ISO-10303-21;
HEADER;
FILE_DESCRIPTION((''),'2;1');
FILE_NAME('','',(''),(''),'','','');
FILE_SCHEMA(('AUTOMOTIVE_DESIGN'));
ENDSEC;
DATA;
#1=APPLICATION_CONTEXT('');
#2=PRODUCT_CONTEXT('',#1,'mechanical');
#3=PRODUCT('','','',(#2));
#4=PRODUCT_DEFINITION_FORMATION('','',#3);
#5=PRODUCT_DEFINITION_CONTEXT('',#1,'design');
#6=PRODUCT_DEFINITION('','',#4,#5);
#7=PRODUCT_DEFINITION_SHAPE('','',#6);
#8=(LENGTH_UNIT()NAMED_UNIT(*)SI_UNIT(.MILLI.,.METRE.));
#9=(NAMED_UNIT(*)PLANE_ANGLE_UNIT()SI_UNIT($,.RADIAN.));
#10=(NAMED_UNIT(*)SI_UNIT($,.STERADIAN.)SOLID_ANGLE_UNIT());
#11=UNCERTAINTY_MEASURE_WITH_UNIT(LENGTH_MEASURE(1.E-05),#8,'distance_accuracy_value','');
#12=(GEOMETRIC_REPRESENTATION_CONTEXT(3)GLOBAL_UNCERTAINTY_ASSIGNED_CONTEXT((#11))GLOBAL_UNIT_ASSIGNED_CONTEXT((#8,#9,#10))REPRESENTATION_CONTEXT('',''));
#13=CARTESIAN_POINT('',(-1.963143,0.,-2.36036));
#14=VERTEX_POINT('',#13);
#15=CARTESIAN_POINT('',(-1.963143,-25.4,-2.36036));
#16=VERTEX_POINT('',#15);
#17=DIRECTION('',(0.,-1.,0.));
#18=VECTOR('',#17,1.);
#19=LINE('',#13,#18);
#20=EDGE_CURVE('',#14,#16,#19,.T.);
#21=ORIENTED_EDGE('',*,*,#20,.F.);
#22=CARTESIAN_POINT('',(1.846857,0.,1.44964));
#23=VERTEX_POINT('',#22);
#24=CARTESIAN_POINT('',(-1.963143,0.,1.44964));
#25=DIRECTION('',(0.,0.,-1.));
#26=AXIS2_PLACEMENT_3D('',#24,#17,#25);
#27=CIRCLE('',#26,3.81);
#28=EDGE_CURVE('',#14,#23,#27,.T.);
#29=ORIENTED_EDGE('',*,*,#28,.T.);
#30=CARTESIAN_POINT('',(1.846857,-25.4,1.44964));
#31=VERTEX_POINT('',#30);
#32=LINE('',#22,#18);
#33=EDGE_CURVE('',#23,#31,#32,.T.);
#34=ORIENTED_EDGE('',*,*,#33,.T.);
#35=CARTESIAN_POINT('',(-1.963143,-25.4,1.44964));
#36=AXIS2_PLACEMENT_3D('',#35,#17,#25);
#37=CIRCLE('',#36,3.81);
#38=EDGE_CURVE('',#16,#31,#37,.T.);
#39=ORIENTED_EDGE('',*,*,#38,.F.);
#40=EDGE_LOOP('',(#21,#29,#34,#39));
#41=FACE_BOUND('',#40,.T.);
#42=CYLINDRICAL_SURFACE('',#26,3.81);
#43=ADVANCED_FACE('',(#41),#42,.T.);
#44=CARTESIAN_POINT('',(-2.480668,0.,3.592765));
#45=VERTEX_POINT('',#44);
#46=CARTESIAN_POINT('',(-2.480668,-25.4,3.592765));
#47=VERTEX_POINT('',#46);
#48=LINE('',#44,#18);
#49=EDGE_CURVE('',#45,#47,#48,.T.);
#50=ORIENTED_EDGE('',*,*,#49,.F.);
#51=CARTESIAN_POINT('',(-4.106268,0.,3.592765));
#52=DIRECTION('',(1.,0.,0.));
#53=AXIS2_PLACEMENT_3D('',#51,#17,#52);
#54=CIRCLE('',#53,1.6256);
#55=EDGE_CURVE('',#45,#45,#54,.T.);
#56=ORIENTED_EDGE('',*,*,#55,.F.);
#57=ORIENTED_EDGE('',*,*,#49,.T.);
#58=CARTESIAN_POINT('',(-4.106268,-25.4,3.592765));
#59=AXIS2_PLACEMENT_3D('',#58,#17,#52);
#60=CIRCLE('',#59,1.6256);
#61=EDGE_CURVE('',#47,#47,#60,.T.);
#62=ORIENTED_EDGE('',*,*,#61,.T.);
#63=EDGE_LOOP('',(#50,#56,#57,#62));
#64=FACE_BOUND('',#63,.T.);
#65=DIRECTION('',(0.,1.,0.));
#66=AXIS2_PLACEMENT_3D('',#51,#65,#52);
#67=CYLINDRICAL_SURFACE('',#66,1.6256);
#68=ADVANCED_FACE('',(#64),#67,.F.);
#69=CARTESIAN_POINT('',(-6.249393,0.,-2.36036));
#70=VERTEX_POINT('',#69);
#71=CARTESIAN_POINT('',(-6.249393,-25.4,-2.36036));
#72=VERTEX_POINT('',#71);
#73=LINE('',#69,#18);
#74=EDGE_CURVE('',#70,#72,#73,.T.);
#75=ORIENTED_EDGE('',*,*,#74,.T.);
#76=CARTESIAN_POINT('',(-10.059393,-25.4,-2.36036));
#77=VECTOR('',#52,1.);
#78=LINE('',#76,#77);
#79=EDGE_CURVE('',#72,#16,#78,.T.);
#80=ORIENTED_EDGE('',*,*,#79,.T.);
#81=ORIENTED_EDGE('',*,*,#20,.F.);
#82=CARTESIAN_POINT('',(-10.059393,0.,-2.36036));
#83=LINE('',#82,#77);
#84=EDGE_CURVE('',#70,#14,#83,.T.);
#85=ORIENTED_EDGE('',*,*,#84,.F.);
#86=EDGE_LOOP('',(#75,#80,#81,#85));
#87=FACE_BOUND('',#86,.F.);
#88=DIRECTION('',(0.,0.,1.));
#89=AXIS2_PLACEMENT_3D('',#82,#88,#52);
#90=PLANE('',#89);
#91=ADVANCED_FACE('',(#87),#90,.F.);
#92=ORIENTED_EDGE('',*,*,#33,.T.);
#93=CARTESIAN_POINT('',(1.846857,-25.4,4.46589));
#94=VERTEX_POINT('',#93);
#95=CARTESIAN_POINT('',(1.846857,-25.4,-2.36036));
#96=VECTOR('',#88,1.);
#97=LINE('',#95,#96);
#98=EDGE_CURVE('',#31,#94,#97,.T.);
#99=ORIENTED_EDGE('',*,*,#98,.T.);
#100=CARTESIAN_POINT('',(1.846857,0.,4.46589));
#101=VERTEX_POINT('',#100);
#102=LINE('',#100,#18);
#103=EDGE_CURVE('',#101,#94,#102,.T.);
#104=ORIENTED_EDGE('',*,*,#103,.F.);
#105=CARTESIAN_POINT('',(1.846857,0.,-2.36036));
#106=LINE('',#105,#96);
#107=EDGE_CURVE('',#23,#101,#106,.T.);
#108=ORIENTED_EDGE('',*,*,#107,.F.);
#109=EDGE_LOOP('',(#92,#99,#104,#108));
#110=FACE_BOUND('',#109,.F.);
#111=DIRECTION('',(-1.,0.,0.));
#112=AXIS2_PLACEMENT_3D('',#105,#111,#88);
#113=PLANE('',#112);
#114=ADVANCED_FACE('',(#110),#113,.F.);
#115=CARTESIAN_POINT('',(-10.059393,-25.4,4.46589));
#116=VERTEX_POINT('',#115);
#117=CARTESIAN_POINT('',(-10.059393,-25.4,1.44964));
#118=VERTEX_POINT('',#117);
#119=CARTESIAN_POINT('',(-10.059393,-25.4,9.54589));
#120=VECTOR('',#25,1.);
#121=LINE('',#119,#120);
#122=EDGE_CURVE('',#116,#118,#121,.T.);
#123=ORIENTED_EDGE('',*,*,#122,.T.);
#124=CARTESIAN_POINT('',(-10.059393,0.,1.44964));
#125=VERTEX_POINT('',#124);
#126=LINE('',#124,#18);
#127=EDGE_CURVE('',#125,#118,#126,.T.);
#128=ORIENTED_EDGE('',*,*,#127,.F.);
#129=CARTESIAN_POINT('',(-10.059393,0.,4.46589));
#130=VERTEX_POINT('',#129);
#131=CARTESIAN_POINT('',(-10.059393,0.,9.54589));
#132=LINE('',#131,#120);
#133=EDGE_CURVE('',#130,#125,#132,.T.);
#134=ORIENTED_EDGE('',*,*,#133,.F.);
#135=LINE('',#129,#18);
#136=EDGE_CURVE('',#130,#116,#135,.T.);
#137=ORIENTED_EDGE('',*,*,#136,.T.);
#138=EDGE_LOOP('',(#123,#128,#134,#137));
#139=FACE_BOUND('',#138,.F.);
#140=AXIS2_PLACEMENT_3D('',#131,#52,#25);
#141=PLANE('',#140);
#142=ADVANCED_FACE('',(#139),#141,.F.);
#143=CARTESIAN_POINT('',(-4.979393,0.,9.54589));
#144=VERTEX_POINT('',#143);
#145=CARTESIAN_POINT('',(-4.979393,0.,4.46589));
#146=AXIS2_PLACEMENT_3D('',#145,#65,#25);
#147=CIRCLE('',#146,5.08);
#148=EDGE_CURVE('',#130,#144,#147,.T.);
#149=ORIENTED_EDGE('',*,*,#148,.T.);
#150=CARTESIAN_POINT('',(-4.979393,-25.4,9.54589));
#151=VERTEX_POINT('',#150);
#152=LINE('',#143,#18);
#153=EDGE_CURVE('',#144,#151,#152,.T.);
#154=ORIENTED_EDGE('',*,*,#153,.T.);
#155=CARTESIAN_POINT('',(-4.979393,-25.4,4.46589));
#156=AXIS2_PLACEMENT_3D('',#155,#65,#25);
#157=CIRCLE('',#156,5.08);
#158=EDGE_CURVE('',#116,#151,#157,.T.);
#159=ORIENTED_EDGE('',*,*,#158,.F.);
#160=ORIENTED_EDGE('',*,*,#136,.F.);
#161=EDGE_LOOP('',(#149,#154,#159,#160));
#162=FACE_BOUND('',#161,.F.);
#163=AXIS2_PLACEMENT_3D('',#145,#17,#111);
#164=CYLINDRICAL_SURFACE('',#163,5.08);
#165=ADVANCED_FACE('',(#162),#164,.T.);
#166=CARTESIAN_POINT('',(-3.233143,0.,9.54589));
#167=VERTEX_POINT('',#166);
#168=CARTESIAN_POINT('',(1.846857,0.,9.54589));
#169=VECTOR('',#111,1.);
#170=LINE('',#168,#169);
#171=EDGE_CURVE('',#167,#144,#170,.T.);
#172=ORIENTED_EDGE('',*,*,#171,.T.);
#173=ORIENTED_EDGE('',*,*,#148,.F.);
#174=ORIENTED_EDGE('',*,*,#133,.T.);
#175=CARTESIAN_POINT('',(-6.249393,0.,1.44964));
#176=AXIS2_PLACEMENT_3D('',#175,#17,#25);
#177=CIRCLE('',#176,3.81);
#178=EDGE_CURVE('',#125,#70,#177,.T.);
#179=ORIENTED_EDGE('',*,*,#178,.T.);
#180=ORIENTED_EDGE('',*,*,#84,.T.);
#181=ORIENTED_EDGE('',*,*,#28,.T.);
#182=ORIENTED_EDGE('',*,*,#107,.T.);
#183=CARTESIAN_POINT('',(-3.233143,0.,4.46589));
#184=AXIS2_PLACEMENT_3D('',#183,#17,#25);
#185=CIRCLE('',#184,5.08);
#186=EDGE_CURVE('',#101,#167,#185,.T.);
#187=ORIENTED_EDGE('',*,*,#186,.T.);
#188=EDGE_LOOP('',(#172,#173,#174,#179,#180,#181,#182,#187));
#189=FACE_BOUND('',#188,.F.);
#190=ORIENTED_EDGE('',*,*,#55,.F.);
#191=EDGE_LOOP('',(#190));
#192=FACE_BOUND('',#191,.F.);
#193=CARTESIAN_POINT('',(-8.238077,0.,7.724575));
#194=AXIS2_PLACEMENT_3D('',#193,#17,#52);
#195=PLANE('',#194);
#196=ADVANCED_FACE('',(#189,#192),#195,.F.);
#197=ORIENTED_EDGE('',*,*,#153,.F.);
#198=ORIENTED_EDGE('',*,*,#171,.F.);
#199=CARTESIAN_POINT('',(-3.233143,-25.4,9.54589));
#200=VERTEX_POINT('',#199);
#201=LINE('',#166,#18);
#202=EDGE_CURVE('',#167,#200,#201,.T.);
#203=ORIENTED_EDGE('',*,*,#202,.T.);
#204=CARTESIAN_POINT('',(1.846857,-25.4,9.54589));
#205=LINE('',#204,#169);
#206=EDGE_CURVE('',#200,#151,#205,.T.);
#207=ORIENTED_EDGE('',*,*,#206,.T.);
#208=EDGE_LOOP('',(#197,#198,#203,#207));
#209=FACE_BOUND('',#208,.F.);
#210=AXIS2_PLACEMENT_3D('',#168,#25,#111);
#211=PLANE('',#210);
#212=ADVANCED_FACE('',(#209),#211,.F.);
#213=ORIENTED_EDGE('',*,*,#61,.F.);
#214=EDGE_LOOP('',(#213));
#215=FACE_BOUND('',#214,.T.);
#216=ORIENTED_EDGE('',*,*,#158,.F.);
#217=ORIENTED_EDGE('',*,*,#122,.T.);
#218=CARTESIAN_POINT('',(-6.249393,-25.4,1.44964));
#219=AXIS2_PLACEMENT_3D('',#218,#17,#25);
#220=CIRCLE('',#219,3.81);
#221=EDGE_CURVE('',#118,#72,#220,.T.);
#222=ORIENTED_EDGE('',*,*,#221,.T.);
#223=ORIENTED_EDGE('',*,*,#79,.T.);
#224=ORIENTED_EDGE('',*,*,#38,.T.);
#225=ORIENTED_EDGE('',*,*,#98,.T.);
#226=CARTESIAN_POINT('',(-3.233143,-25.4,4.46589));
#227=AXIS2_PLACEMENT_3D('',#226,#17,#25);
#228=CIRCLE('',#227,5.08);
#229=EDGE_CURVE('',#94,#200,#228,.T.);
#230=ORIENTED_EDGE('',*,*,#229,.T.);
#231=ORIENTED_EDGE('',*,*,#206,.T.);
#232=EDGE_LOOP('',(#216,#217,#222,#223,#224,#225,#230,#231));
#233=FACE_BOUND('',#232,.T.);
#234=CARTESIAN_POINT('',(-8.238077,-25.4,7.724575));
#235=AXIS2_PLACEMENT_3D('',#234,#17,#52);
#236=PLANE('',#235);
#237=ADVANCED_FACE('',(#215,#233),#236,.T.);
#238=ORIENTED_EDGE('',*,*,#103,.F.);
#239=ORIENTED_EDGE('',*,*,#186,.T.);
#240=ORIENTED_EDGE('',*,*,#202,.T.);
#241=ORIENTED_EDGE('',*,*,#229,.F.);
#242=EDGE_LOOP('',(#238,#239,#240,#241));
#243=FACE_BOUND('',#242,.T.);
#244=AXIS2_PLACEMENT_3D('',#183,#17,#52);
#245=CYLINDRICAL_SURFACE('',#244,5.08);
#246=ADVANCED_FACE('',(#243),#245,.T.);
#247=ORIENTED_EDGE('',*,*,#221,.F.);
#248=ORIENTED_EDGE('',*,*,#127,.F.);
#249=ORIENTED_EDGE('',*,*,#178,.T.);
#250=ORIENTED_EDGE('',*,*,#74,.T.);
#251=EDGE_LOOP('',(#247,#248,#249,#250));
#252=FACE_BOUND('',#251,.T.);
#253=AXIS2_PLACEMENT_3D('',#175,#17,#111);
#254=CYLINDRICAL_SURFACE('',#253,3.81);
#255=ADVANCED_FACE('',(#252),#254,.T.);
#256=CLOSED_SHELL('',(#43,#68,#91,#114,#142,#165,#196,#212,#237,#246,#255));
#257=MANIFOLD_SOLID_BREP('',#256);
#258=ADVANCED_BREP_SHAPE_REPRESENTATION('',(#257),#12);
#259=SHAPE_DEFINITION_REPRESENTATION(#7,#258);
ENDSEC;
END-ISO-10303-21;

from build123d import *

# Parameters (mm, degrees)
F0_R     = 1.6256
F1_DEPTH = 25.4
F2_R     = 5.08
F3_R     = 3.81


with BuildPart() as f1:
    # F0 (on Front) → F1 (new body)
    with BuildSketch(Plane.XZ):
        with BuildLine():
            Line((-10.059392821, 9.5458903177), (-10.059392821, 3.5927653177))
            ThreePointArc((-10.059392821, 3.5927653177), (-8.3157628778, 7.8022603745), (-4.106267821, 9.5458903177))
            Line((-4.106267821, 9.5458903177), (-10.059392821, 9.5458903177))
        make_face()
        with BuildLine():
            ThreePointArc((-4.106267821, 9.5458903177), (-8.3157628778, 7.8022603745), (-10.059392821, 3.5927653177))
            ThreePointArc((-10.059392821, 3.5927653177), (-8.3157628778, -0.616729739), (-4.106267821, -2.3603596823))
            ThreePointArc((-4.106267821, -2.3603596823), (0.1032272357, -0.616729739), (1.846857179, 3.5927653177))
            ThreePointArc((1.846857179, 3.5927653177), (0.1032272357, 7.8022603745), (-4.106267821, 9.5458903177))
        make_face()
        with Locations((-4.106267821, 3.5927653177)):
            Circle(F0_R, mode=Mode.SUBTRACT)
        with BuildLine():
            Line((1.846857179, 9.5458903177), (-4.106267821, 9.5458903177))
            ThreePointArc((-4.106267821, 9.5458903177), (0.1032272357, 7.8022603745), (1.846857179, 3.5927653177))
            Line((1.846857179, 3.5927653177), (1.846857179, 9.5458903177))
        make_face()
        with BuildLine():
            ThreePointArc((1.846857179, 3.5927653177), (0.1032272357, -0.616729739), (-4.106267821, -2.3603596823))
            Line((-4.106267821, -2.3603596823), (1.846857179, -2.3603596823))
            Line((1.846857179, -2.3603596823), (1.846857179, 3.5927653177))
        make_face()
        with BuildLine():
            ThreePointArc((-4.106267821, -2.3603596823), (-8.3157628778, -0.616729739), (-10.059392821, 3.5927653177))
            Line((-10.059392821, 3.5927653177), (-10.059392821, -2.3603596823))
            Line((-10.059392821, -2.3603596823), (-4.106267821, -2.3603596823))
        make_face()
    extrude(amount=F1_DEPTH)

    # F2
    f2_edges = [f1.edges().sort_by_distance(p)[0] for p in [
        (1.846857, -12.7, 9.54589),
        (-10.059393, -12.7, 9.54589),
    ]]
    fillet(f2_edges, radius=F2_R)

    # F3
    f3_edges = [f1.edges().sort_by_distance(p)[0] for p in [
        (-10.059393, -12.7, -2.36036),
        (1.846857, -12.7, -2.36036),
    ]]
    fillet(f3_edges, radius=F3_R)


solid = f1.part
